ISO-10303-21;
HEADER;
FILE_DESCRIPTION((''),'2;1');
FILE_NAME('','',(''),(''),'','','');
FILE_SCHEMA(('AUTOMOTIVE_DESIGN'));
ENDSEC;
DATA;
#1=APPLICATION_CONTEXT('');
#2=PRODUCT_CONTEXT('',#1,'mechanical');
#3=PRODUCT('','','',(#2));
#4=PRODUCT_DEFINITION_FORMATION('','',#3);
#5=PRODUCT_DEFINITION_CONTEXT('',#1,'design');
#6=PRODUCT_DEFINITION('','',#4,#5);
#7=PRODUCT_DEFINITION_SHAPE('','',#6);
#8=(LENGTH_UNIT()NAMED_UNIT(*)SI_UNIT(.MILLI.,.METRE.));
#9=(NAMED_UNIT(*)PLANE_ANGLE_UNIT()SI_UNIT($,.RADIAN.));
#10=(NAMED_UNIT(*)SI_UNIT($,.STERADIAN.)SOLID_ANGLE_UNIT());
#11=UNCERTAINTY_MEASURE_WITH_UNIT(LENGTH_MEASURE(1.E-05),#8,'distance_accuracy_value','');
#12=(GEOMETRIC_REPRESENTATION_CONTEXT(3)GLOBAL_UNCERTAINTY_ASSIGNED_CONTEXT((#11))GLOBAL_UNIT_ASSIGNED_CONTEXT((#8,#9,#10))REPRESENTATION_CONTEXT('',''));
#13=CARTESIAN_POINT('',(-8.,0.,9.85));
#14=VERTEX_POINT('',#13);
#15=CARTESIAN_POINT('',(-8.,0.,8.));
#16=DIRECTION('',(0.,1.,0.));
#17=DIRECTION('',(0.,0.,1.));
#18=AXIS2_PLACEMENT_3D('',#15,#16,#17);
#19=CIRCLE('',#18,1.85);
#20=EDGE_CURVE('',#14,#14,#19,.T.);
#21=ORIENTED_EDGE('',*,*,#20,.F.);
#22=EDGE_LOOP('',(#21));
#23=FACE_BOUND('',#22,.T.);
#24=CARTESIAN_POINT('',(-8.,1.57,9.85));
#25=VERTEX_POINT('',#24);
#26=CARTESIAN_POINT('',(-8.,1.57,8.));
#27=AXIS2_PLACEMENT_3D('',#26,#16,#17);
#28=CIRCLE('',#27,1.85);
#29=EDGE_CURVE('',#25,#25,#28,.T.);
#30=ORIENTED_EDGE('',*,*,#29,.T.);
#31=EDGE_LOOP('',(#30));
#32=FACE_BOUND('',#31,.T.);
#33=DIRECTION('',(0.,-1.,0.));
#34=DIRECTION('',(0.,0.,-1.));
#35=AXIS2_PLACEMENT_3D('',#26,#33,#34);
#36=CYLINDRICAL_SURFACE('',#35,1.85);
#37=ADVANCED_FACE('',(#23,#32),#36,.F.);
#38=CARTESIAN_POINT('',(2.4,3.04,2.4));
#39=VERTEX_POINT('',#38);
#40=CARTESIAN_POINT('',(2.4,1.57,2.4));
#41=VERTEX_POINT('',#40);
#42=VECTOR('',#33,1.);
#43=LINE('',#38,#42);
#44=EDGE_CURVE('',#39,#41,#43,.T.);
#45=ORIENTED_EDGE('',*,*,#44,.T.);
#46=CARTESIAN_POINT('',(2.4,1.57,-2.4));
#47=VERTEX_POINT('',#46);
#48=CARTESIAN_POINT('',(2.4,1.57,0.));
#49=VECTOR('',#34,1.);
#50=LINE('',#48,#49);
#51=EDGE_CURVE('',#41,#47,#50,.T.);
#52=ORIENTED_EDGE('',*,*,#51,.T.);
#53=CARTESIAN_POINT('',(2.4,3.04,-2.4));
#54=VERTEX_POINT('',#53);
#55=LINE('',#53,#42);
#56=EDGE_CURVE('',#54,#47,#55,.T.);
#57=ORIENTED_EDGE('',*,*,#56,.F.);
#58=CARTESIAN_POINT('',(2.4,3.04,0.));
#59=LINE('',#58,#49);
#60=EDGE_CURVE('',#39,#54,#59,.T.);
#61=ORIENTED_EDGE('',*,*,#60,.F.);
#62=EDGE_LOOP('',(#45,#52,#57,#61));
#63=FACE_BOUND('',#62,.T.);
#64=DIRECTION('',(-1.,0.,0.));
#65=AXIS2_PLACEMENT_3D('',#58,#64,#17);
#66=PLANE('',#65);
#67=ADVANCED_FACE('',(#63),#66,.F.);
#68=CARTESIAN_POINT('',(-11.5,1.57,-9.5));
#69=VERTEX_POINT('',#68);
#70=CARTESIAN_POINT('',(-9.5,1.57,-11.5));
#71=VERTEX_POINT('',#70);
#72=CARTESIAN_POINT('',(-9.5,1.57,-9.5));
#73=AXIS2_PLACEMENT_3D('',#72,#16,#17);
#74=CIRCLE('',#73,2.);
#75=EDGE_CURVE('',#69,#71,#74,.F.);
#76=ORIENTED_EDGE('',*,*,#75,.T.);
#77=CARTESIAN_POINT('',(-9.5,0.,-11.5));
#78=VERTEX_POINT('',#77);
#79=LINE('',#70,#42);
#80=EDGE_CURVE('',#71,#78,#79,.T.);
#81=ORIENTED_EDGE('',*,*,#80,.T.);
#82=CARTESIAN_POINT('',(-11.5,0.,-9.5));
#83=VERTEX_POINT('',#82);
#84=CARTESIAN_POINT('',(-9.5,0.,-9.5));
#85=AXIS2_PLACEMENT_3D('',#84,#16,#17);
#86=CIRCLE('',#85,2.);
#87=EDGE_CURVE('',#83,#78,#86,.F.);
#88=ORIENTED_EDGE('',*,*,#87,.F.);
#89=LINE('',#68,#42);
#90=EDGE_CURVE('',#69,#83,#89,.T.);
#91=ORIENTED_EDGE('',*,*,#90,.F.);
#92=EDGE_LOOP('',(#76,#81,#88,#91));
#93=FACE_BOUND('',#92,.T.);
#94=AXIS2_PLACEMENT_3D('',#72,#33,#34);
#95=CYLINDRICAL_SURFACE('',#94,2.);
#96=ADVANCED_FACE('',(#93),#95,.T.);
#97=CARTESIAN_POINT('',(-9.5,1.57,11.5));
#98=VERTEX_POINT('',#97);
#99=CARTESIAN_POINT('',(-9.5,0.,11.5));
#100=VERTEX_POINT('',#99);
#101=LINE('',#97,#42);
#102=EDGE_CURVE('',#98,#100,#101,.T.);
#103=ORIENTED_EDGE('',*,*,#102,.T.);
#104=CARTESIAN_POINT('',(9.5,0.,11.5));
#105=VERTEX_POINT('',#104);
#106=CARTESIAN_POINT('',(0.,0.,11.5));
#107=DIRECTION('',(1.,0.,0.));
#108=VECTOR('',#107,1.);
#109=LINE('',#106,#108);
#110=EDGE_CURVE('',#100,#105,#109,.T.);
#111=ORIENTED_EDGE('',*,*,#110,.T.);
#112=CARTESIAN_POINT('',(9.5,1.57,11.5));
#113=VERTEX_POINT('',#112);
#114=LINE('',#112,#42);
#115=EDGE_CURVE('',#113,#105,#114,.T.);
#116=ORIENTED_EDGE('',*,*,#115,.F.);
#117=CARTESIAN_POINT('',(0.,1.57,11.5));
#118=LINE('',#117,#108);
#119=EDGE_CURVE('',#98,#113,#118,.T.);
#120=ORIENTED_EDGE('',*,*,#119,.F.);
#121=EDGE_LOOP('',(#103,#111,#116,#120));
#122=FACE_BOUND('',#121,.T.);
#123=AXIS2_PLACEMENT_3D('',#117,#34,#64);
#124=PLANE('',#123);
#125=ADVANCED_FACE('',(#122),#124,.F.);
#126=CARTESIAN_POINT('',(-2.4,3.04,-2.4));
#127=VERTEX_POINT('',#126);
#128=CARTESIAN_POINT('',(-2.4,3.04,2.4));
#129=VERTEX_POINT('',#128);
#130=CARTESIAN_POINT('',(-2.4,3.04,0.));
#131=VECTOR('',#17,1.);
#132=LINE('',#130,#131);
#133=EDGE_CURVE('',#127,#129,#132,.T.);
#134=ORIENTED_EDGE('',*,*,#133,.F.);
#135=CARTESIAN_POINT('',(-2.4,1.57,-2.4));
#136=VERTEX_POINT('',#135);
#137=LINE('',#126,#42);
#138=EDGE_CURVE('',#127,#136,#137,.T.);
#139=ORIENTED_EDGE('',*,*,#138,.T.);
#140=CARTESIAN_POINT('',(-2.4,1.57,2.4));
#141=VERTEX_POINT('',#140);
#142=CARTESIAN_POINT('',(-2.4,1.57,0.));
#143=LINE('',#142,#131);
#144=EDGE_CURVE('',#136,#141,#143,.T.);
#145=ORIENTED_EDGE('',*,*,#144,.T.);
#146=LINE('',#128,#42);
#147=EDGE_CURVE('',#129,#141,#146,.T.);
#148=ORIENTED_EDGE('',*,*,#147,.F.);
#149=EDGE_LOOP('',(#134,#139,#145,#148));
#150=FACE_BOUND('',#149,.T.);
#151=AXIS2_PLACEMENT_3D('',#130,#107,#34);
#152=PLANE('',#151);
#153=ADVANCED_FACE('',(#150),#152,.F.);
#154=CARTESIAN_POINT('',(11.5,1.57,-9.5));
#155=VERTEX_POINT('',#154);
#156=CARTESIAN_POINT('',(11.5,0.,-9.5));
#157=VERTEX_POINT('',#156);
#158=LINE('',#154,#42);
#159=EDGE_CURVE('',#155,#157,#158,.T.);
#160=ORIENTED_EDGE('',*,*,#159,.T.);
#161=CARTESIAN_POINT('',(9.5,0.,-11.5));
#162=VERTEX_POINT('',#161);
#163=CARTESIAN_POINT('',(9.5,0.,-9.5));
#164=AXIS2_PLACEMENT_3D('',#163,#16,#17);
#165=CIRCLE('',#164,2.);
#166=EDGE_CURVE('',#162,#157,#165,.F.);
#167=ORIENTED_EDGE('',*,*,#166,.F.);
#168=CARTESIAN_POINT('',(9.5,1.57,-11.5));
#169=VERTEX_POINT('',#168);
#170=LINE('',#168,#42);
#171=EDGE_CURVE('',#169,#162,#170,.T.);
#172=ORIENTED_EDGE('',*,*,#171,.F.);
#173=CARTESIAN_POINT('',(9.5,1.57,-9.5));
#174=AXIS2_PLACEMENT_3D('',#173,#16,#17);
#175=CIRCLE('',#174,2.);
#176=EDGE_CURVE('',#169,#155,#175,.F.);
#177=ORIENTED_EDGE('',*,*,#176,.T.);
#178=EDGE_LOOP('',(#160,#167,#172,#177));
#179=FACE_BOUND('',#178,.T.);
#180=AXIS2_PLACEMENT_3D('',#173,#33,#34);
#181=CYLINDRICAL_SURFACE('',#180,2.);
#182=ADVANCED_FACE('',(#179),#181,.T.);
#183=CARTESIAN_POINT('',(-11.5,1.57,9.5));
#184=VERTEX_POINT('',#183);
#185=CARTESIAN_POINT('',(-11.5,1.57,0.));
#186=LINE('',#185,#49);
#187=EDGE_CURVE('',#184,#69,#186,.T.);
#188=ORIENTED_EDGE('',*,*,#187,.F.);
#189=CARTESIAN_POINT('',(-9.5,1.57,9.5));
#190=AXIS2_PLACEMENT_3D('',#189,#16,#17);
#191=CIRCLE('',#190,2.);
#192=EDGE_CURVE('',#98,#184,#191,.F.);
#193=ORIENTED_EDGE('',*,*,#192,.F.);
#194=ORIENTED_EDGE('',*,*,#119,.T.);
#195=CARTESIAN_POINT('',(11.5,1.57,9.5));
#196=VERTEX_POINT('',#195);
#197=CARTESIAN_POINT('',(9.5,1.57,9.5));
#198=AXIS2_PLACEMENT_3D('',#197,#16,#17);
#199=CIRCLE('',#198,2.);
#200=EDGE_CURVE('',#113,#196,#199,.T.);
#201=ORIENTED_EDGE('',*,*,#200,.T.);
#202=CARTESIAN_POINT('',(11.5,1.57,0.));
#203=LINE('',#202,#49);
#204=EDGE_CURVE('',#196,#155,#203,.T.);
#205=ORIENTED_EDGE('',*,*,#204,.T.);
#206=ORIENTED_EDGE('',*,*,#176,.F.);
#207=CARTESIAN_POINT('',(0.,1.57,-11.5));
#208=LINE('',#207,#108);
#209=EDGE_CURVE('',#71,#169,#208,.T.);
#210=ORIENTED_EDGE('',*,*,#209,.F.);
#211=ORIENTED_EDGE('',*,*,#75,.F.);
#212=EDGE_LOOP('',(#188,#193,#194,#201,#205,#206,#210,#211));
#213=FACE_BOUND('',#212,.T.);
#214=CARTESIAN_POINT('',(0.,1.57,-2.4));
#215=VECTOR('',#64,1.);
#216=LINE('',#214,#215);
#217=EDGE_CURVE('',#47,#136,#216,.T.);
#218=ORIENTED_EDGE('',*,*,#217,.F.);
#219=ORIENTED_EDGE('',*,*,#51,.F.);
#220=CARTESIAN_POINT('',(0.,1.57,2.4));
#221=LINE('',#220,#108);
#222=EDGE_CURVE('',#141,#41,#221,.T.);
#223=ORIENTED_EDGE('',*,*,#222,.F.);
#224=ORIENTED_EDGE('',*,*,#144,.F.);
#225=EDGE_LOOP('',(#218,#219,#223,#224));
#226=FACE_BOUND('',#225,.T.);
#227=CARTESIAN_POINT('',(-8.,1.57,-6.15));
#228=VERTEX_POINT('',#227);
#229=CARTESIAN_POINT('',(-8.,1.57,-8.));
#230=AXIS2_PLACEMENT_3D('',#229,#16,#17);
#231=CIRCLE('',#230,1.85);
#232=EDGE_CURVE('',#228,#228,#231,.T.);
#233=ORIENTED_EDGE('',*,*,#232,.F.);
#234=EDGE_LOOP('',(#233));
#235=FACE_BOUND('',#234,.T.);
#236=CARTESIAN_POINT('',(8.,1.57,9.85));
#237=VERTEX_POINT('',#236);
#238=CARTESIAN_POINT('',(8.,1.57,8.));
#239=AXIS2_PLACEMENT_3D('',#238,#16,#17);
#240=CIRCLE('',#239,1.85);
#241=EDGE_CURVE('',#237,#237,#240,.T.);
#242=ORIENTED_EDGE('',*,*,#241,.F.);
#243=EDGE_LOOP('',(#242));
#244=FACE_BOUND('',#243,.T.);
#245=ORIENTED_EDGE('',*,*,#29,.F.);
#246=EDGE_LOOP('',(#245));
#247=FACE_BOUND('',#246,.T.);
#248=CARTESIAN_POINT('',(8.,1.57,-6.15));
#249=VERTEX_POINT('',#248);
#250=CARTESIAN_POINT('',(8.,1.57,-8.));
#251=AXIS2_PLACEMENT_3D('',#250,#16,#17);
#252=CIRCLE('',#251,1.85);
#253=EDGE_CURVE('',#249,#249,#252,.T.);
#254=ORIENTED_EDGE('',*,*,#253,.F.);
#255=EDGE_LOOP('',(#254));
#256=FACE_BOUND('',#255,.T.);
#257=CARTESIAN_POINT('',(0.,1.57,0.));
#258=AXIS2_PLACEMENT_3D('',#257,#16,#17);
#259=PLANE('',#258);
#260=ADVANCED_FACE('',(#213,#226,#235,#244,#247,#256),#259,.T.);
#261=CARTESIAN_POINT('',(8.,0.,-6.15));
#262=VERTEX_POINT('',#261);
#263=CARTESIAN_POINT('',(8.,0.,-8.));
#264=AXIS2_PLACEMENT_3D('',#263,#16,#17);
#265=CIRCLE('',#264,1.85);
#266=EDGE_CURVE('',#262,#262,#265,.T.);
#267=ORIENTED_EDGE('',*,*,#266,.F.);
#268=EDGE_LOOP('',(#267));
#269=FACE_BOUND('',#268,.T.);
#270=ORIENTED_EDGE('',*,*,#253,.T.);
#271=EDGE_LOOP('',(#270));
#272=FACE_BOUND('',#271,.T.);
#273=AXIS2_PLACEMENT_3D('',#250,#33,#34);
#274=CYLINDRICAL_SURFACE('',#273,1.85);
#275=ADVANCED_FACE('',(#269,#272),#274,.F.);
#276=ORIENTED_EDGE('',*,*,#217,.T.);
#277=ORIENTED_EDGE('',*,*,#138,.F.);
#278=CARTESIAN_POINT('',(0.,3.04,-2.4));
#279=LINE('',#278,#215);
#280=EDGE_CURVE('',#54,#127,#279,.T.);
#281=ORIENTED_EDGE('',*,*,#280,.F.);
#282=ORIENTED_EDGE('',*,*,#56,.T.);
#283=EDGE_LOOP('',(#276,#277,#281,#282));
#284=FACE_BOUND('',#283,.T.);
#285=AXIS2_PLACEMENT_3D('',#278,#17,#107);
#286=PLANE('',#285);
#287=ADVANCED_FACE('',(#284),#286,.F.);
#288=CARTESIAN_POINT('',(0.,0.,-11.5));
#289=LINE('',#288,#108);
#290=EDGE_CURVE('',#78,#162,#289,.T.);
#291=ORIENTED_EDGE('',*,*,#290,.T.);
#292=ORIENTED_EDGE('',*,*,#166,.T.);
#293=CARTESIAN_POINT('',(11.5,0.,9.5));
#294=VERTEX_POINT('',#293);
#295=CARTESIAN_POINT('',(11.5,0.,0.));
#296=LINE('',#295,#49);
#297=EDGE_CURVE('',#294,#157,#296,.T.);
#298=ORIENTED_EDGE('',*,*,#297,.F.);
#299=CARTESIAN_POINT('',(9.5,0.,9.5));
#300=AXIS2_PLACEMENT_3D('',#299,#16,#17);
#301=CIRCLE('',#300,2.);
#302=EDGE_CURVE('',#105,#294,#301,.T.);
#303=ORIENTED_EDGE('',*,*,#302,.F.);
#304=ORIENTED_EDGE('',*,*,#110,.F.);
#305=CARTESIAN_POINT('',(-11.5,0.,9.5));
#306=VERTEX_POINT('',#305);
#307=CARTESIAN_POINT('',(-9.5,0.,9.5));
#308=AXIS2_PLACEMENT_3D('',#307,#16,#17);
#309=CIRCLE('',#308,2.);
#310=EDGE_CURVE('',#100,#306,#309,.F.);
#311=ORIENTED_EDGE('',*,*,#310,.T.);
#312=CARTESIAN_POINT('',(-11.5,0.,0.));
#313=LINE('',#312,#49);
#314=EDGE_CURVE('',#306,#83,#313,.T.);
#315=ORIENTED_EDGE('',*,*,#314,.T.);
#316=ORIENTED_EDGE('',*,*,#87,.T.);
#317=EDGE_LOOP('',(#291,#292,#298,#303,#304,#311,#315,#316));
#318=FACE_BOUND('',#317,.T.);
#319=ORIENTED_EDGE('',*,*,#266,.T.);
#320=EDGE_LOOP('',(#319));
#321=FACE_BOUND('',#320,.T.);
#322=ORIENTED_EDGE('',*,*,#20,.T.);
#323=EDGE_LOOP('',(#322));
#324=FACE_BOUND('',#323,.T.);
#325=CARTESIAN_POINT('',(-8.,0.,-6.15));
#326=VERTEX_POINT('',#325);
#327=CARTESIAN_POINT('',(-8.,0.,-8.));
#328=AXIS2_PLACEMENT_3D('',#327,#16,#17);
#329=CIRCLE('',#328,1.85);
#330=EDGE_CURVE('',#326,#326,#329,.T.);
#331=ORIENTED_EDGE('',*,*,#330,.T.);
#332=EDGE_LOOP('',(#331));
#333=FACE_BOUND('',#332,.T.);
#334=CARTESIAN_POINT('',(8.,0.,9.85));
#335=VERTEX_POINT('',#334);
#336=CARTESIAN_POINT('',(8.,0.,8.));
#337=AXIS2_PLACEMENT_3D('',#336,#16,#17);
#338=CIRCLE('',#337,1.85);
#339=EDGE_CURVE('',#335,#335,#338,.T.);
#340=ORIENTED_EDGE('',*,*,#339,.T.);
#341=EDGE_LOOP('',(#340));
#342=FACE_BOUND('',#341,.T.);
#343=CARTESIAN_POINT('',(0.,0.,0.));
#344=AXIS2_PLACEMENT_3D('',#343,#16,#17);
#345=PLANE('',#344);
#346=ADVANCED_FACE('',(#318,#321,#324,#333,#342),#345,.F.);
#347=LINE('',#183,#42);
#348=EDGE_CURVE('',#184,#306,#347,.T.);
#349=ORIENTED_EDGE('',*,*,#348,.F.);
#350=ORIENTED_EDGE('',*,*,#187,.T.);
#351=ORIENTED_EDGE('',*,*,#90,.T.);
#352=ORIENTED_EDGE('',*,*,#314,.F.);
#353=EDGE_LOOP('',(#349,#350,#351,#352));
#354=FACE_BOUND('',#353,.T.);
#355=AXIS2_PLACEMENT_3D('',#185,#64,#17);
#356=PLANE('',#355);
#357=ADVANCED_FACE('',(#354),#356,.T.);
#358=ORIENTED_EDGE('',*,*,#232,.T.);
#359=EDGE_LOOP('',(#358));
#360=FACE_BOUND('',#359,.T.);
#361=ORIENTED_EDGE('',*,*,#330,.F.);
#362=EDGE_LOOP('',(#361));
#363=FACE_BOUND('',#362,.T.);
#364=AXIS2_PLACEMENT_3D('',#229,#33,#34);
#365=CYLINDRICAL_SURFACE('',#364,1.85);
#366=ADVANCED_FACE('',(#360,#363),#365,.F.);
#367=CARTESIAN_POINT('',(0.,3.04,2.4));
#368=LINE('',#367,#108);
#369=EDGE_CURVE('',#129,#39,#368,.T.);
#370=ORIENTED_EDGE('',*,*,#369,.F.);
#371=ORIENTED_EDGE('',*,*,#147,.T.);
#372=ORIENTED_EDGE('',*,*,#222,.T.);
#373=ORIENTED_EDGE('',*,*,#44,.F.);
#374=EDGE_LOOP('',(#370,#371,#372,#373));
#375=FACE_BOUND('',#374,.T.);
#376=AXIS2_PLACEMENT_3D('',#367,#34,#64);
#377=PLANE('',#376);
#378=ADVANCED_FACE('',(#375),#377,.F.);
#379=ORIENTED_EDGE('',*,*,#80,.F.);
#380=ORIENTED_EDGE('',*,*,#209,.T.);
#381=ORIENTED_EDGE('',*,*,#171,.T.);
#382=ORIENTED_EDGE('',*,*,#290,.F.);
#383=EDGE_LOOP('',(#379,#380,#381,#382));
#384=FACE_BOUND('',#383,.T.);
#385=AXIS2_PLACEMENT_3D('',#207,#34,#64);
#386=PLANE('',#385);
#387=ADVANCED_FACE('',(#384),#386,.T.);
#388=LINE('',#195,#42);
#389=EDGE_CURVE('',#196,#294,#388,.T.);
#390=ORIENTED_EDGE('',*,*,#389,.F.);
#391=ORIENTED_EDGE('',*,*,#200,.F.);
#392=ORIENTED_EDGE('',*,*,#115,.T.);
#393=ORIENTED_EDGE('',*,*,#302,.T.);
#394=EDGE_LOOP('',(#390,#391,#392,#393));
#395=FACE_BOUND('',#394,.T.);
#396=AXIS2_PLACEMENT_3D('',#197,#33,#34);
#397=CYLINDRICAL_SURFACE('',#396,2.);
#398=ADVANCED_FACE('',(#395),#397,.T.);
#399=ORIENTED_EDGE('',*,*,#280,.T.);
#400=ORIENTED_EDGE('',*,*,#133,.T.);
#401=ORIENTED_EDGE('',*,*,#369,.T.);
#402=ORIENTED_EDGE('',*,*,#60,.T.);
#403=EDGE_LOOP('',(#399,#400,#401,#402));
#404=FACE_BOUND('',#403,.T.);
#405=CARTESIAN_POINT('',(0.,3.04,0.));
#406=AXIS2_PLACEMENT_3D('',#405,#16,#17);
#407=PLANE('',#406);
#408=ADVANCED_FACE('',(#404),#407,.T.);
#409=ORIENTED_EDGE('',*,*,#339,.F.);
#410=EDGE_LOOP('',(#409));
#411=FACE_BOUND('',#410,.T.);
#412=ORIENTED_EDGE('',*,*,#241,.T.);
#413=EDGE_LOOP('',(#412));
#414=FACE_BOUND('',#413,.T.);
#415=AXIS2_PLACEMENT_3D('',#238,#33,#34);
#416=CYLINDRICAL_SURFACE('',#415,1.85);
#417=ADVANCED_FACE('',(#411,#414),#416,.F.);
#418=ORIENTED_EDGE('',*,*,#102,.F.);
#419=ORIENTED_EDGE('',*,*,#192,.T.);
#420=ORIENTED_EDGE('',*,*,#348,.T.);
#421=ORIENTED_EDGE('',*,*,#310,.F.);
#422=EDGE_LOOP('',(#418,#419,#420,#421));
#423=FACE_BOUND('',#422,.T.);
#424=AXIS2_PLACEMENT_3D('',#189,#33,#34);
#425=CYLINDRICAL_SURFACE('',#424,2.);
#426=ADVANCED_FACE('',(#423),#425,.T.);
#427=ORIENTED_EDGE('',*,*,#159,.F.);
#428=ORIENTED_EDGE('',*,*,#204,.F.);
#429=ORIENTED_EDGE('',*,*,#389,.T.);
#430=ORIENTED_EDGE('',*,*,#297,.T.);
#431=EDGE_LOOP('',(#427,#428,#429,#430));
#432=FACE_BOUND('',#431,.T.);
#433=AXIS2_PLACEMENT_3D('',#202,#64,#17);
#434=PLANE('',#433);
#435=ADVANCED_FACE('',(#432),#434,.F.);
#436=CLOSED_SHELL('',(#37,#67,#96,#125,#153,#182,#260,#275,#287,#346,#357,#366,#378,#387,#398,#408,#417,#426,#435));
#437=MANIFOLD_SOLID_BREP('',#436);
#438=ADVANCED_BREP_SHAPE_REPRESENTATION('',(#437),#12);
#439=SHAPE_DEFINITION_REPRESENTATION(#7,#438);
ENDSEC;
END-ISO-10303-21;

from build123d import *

# Parameters (mm, degrees)
SKETCH1_R           = 1.85
SKETCH1_W           = 4.8
SKETCH1_H           = 4.8
BOSS_EXTRUDE1_DEPTH = 1.57
SKETCH2_W           = 4.8
SKETCH2_H           = 4.8
BOSS_EXTRUDE2_DEPTH = 1.47


with BuildPart() as part:
    # Sketch1 → Boss-Extrude1 (new body)
    # profile 1 of 2: a face of its own
    with BuildSketch(Plane(origin=(0, 0, 0), x_dir=(1, 0, 0), z_dir=(0, 1, 0))):
        with BuildLine():
            ThreePointArc((-11.5, 9.5), (-10.914213562, 10.914213562), (-9.5, 11.5))
            Line((-9.5, 11.5), (9.5, 11.5))
            ThreePointArc((9.5, 11.5), (10.914213562, 10.914213562), (11.5, 9.5))
            Line((11.5, 9.5), (11.5, -9.5))
            ThreePointArc((11.5, -9.5), (10.914213562, -10.914213562), (9.5, -11.5))
            Line((9.5, -11.5), (-9.5, -11.5))
            ThreePointArc((-9.5, -11.5), (-10.914213562, -10.914213562), (-11.5, -9.5))
            Line((-11.5, -9.5), (-11.5, 9.5))
        make_face()
        with Locations(Location((-8, -8, 0), (0, 0, 270))):
            Circle(SKETCH1_R, mode=Mode.SUBTRACT)
        with Locations(Location((8, -8, 0), (0, 0, 270))):
            Circle(SKETCH1_R, mode=Mode.SUBTRACT)
        with Locations(Location((8, 8, 0), (0, 0, 270))):
            Circle(SKETCH1_R, mode=Mode.SUBTRACT)
        with Locations(Location((-8, 8, 0), (0, 0, 270))):
            Circle(SKETCH1_R, mode=Mode.SUBTRACT)
        Rectangle(SKETCH1_W, SKETCH1_H, mode=Mode.SUBTRACT)
    # profile 2 of 2: a face of its own
    with BuildSketch(Plane(origin=(0, 0, 0), x_dir=(1, 0, 0), z_dir=(0, 1, 0))):
        Rectangle(SKETCH1_W, SKETCH1_H)
    extrude(amount=BOSS_EXTRUDE1_DEPTH)

    # Sketch2 → Boss-Extrude2 (add)
    with BuildSketch(Plane(origin=(0, 1.57, 0), x_dir=(1, 0, 0), z_dir=(0, 1, 0))):
        Rectangle(SKETCH2_W, SKETCH2_H)
    extrude(amount=BOSS_EXTRUDE2_DEPTH)


solid = part.part
